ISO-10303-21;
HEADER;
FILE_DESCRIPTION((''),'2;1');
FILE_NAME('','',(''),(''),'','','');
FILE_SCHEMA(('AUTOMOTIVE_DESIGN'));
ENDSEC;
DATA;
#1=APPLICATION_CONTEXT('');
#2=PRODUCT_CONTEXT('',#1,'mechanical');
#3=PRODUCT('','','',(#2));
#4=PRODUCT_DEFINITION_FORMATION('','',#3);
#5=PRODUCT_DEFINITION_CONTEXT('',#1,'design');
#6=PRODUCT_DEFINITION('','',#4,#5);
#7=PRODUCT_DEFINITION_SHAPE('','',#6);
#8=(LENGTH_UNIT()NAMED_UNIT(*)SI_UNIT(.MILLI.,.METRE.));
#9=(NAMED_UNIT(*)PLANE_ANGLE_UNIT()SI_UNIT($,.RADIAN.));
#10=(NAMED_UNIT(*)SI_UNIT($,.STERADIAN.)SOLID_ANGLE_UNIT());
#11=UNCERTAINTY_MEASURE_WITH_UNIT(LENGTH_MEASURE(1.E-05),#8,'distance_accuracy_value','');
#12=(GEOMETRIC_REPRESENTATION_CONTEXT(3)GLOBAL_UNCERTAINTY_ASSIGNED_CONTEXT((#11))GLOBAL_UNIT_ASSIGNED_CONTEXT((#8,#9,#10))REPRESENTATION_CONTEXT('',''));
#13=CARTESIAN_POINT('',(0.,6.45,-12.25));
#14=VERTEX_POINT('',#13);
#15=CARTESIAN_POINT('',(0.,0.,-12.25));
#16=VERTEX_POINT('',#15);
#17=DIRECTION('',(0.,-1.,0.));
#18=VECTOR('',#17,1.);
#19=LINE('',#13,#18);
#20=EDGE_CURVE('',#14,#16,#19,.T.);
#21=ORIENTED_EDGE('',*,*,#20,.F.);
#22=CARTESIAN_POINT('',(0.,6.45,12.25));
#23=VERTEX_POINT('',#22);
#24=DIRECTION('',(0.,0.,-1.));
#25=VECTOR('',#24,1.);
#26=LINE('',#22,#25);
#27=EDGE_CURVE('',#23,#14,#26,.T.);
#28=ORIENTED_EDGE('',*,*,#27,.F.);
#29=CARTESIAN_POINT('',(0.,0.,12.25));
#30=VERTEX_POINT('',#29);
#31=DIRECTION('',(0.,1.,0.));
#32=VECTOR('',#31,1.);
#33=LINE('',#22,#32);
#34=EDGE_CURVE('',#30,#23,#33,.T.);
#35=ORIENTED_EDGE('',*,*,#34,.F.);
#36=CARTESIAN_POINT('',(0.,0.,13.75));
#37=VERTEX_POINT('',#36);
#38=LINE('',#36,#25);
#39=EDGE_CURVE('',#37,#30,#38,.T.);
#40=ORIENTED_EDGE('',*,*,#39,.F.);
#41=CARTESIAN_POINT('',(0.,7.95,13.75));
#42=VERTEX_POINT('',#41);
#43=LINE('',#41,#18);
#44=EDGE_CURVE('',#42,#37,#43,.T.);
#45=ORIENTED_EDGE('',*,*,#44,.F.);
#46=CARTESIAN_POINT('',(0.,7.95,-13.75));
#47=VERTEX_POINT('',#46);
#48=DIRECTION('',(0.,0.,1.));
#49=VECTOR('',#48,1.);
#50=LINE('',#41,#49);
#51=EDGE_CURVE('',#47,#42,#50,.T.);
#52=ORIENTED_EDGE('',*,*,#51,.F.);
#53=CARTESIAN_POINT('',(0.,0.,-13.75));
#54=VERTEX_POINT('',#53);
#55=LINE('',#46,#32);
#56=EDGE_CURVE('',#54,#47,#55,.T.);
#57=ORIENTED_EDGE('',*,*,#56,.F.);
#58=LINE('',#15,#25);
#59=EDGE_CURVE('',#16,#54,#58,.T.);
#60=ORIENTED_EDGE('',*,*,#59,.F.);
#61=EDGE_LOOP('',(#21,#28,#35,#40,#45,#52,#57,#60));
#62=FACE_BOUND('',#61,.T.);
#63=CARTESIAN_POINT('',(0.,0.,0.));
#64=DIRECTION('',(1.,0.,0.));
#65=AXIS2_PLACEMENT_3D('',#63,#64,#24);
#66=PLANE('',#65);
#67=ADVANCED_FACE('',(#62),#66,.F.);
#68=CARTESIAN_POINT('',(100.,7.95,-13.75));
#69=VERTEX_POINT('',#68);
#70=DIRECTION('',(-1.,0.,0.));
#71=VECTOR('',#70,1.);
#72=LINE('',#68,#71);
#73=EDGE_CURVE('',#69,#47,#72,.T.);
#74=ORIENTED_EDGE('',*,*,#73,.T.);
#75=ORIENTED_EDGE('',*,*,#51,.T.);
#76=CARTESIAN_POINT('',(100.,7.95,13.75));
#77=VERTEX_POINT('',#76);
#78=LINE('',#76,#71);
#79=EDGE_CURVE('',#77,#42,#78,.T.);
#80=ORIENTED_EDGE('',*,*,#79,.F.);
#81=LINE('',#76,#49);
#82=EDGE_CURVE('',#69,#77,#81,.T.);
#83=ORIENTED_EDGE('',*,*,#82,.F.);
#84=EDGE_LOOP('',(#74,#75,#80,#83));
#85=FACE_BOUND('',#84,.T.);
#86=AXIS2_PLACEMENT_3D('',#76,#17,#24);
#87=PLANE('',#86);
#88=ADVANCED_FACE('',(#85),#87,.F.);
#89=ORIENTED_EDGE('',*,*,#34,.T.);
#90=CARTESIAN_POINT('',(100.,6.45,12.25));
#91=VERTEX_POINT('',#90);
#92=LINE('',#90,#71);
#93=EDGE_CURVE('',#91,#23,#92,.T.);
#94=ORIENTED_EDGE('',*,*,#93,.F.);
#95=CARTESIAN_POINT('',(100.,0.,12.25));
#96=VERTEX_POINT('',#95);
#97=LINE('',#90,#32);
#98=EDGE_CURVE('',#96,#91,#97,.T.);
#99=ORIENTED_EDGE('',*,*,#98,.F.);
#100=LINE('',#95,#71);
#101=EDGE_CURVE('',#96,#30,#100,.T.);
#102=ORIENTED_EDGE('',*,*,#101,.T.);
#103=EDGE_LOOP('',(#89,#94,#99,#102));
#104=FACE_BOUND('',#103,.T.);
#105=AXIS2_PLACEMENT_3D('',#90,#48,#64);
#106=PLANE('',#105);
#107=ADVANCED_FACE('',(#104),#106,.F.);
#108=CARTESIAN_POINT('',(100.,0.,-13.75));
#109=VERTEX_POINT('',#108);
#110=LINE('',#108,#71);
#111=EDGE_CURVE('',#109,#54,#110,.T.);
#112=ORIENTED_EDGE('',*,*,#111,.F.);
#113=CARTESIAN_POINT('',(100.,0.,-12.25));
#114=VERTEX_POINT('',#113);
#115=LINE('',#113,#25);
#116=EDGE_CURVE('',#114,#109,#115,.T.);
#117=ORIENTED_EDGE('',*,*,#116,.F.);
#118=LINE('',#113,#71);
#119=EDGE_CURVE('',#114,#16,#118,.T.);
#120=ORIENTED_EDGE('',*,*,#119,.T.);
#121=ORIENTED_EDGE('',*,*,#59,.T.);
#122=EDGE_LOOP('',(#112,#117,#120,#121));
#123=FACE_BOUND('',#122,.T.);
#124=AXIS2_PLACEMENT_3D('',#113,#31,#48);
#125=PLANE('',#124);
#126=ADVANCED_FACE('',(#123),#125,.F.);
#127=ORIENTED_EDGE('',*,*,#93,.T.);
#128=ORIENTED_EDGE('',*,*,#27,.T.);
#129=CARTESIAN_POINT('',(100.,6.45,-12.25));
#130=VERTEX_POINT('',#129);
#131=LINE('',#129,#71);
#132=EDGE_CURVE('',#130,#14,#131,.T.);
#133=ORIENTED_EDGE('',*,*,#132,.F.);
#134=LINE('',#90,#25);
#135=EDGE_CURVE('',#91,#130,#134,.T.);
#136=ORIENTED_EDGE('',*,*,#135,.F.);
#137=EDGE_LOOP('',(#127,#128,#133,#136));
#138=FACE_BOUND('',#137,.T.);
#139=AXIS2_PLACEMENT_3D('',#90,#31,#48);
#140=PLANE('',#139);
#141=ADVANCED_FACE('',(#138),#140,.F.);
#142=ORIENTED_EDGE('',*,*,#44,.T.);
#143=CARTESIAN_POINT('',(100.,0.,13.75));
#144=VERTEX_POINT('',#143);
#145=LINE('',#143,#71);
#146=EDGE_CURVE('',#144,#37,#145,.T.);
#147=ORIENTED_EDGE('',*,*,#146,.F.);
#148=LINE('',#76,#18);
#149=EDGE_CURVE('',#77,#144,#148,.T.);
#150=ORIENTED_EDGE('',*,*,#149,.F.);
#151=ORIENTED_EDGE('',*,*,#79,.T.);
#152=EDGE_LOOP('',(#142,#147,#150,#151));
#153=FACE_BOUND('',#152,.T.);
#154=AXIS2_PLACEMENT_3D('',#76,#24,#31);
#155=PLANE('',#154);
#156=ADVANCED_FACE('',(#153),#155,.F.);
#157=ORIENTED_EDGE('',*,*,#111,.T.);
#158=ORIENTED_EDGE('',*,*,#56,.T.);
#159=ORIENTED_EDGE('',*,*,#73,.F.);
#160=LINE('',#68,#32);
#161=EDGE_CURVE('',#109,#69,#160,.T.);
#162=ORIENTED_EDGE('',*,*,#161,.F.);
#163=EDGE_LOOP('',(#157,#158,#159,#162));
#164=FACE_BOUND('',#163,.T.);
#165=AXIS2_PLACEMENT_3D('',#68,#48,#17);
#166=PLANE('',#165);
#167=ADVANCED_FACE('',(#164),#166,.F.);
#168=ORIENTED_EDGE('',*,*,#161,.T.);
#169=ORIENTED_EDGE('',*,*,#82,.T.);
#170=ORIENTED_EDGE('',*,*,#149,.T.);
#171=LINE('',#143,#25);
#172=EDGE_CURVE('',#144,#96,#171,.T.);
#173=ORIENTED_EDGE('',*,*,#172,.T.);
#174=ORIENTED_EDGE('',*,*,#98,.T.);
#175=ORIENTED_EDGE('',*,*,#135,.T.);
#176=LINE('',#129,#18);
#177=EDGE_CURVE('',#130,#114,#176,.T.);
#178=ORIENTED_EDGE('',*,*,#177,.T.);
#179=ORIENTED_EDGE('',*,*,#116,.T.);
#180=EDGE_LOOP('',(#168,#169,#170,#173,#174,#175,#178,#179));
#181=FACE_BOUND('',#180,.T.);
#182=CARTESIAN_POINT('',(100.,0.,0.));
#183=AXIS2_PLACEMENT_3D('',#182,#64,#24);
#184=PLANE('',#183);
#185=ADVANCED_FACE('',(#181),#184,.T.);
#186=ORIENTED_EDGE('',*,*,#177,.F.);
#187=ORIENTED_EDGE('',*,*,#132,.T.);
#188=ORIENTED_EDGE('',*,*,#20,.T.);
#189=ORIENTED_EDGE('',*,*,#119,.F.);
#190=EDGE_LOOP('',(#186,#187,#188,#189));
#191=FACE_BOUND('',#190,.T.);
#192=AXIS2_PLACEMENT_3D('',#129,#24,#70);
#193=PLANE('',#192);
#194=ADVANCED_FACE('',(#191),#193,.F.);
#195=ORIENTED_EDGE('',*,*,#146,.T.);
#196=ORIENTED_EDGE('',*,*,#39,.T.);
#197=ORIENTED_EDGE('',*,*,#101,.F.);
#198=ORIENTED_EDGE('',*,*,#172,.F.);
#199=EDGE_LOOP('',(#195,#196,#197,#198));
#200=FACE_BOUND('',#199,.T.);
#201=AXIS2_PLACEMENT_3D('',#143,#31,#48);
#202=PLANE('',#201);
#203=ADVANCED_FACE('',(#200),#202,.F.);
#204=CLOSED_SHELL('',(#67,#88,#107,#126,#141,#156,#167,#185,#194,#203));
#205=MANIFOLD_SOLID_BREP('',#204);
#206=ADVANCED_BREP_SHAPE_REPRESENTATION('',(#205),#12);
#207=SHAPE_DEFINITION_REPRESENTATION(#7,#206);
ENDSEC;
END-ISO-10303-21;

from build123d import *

# Parameters (mm, degrees)
EXTRUDE_1_DEPTH = 100


with BuildPart() as part:
    # 草图1 → 凸台-拉伸1 (new body)
    with BuildSketch(Plane(origin=(0, 0, 0), x_dir=(0, 0, -1), z_dir=(1, 0, 0))):
        Polygon((-13.75, 7.95), (-13.75, 0), (-12.25, 0), (-12.25, 6.45), (12.25, 6.45), (12.25, 0), (13.75, 0), (13.75, 7.95), align=None)
    extrude(amount=EXTRUDE_1_DEPTH)


solid = part.part
